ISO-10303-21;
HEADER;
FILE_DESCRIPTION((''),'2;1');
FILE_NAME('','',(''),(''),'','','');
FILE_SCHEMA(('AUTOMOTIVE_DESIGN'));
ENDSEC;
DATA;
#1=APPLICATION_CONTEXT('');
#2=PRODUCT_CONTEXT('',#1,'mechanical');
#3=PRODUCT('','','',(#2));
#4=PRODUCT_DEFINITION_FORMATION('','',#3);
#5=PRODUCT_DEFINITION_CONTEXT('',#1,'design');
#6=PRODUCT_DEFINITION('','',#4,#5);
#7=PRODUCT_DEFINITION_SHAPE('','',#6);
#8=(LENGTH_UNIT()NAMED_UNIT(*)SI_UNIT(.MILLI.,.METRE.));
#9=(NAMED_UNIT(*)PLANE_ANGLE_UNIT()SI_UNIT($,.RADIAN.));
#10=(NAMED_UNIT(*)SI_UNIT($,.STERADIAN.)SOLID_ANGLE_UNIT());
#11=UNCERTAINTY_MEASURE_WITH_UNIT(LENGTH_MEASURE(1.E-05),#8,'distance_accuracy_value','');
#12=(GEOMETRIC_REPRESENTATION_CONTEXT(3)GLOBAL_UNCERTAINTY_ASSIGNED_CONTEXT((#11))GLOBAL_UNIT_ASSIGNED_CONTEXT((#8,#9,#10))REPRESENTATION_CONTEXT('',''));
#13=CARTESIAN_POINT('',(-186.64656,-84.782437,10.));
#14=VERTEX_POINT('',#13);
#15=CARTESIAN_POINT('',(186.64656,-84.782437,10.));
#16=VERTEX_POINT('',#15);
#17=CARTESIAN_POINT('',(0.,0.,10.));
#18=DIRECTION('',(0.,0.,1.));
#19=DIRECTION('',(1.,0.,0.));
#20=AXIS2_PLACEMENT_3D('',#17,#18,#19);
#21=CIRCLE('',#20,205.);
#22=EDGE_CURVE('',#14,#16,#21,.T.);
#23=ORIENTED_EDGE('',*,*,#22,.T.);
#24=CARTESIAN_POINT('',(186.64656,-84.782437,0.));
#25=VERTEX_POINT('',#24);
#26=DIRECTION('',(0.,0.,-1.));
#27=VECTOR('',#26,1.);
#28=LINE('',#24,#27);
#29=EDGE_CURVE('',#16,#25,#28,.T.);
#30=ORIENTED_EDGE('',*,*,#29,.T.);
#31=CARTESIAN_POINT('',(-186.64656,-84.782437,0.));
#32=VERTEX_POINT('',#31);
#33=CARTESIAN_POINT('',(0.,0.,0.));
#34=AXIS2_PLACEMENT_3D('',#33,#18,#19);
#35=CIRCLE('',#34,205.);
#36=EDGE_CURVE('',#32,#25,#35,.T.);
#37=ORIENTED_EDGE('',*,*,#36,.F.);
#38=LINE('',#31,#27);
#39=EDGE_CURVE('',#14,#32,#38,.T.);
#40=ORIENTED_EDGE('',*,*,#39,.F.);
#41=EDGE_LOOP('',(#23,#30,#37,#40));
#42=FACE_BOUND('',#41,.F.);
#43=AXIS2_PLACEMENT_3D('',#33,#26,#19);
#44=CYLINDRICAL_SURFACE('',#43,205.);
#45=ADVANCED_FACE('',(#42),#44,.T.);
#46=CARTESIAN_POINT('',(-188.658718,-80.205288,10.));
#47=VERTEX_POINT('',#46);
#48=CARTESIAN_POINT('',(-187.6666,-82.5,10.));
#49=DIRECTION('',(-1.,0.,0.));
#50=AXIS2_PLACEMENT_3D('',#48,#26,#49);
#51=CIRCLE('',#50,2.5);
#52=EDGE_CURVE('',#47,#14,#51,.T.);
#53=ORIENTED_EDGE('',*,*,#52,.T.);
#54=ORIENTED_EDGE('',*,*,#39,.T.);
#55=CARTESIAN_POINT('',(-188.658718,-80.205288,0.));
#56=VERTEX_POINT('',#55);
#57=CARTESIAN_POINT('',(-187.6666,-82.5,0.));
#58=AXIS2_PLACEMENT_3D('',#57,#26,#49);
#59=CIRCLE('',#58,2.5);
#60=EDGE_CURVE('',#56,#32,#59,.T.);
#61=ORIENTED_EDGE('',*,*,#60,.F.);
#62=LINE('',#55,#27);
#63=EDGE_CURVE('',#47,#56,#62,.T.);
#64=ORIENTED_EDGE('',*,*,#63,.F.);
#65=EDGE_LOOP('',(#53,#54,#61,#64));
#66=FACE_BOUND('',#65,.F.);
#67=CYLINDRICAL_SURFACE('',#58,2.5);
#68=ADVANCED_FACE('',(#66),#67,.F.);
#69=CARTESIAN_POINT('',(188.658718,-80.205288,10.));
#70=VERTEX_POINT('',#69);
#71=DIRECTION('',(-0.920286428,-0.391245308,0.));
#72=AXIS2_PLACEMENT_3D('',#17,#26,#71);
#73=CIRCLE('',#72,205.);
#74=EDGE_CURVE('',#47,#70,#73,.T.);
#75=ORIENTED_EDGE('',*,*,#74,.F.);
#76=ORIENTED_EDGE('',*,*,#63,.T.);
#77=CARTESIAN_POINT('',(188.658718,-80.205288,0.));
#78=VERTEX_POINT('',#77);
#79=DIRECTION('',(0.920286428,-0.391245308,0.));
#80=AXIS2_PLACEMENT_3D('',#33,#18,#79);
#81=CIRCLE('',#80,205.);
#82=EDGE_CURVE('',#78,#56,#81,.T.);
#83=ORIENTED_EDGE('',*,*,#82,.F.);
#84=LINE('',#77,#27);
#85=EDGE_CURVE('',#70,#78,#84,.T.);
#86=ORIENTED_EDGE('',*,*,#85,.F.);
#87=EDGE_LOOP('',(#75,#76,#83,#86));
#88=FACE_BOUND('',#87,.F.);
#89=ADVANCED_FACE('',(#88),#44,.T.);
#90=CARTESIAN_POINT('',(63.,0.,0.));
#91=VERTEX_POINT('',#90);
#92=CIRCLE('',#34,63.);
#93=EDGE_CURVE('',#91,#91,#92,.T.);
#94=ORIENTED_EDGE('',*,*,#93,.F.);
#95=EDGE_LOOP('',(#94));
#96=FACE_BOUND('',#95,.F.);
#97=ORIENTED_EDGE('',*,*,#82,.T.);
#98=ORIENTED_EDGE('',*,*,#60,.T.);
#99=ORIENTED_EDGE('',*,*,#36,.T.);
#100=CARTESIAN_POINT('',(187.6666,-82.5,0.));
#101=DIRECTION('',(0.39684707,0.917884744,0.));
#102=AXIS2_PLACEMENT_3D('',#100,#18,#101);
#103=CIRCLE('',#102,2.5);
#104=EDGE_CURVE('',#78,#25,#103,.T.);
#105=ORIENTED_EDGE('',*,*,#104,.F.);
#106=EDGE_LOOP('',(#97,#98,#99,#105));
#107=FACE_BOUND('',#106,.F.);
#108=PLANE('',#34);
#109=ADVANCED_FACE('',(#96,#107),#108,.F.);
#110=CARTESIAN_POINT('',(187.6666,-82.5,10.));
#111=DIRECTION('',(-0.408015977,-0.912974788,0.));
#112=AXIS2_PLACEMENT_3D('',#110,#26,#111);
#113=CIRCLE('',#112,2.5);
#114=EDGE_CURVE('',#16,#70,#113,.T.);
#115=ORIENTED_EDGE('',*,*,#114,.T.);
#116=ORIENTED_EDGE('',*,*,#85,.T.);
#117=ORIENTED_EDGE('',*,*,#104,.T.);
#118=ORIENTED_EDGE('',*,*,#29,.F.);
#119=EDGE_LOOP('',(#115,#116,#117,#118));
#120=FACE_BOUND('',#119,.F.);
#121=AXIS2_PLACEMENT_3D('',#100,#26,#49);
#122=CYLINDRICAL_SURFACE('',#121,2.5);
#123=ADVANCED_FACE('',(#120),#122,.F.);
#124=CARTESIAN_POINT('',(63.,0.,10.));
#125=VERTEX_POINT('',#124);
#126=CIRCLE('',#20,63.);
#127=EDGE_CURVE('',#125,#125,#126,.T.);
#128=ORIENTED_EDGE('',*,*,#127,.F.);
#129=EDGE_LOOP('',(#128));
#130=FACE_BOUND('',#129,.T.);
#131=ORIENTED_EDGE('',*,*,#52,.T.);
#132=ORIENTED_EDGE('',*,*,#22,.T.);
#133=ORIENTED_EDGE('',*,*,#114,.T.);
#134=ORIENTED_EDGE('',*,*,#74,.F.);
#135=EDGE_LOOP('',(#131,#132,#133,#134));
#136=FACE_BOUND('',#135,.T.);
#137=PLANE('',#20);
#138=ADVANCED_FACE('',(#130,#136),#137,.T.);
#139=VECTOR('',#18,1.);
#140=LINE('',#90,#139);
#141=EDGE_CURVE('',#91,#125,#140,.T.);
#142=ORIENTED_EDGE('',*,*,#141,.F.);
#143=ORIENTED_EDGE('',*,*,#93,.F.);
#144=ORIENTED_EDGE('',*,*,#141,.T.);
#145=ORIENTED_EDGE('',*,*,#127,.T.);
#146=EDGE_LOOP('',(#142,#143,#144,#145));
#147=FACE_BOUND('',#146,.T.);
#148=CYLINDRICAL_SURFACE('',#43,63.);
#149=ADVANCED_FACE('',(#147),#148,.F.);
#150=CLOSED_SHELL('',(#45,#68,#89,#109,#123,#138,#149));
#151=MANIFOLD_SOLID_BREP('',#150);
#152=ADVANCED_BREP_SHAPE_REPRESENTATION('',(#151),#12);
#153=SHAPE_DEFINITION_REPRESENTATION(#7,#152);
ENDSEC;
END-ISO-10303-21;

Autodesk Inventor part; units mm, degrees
ref_plane "YZ Plane" through (0, 0, 0) normal (1, 0, 0) x (0, 1, 0)
ref_plane "XZ Plane" through (0, 0, 0) normal (0, 1, 0) x (-1, 0, 0)
ref_plane "XY Plane" through (0, 0, 0) normal (0, 0, 1) x (1, 0, 0)
sketch "Sketch1" plane through (0, 0, 0) normal (0, 0, 1) x (1, 0, 0)
  circle A0 centre (0, 0) radius 195 construction
  circle A1 centre (0, 0) radius 205
  circle A2 centre (0, 0) radius 63
  dimension "d0" = 390
  dimension "d4" = 126
  dimension "d13" = 10
extrude "Extrusion1" add sketch "Sketch1" along normal blind 10
sketch "Sketch3" plane through (0, 0, 0) normal (0, 0, -1) x (-1, 0, 0)
  circle A0 centre (0, 0) radius 205 construction
  circle A1 centre (-187.6666, -82.5) radius 2.5
  circle A2 centre (187.6666, -82.5) radius 2.5
  line L0 (-187.6666, -82.5) -> (187.6666, -82.5) construction
  dimension "d14" = 5
  dimension "d15" = 82.5
extrude "Extrusion3" cut sketch "Sketch3" against normal through all
equation "\"d0\" = Шпил_пласт_НОС_диам_центров"
equation "\"d4\" = Стенка_НОС_диам_илоотвод"
equation "\"d2\" = Thickness"
equation "\"BendReliefDepth\" = 0.5 * Thickness"
equation "\"Шпил_пласт_НОС_диам_центров\" = 390"
equation "\"Стенка_НОС_диам_илоотвод\" = 126"
equation "\"Thickness\" = 10"
properties part number "ДМФ 032 крышка Нос"
